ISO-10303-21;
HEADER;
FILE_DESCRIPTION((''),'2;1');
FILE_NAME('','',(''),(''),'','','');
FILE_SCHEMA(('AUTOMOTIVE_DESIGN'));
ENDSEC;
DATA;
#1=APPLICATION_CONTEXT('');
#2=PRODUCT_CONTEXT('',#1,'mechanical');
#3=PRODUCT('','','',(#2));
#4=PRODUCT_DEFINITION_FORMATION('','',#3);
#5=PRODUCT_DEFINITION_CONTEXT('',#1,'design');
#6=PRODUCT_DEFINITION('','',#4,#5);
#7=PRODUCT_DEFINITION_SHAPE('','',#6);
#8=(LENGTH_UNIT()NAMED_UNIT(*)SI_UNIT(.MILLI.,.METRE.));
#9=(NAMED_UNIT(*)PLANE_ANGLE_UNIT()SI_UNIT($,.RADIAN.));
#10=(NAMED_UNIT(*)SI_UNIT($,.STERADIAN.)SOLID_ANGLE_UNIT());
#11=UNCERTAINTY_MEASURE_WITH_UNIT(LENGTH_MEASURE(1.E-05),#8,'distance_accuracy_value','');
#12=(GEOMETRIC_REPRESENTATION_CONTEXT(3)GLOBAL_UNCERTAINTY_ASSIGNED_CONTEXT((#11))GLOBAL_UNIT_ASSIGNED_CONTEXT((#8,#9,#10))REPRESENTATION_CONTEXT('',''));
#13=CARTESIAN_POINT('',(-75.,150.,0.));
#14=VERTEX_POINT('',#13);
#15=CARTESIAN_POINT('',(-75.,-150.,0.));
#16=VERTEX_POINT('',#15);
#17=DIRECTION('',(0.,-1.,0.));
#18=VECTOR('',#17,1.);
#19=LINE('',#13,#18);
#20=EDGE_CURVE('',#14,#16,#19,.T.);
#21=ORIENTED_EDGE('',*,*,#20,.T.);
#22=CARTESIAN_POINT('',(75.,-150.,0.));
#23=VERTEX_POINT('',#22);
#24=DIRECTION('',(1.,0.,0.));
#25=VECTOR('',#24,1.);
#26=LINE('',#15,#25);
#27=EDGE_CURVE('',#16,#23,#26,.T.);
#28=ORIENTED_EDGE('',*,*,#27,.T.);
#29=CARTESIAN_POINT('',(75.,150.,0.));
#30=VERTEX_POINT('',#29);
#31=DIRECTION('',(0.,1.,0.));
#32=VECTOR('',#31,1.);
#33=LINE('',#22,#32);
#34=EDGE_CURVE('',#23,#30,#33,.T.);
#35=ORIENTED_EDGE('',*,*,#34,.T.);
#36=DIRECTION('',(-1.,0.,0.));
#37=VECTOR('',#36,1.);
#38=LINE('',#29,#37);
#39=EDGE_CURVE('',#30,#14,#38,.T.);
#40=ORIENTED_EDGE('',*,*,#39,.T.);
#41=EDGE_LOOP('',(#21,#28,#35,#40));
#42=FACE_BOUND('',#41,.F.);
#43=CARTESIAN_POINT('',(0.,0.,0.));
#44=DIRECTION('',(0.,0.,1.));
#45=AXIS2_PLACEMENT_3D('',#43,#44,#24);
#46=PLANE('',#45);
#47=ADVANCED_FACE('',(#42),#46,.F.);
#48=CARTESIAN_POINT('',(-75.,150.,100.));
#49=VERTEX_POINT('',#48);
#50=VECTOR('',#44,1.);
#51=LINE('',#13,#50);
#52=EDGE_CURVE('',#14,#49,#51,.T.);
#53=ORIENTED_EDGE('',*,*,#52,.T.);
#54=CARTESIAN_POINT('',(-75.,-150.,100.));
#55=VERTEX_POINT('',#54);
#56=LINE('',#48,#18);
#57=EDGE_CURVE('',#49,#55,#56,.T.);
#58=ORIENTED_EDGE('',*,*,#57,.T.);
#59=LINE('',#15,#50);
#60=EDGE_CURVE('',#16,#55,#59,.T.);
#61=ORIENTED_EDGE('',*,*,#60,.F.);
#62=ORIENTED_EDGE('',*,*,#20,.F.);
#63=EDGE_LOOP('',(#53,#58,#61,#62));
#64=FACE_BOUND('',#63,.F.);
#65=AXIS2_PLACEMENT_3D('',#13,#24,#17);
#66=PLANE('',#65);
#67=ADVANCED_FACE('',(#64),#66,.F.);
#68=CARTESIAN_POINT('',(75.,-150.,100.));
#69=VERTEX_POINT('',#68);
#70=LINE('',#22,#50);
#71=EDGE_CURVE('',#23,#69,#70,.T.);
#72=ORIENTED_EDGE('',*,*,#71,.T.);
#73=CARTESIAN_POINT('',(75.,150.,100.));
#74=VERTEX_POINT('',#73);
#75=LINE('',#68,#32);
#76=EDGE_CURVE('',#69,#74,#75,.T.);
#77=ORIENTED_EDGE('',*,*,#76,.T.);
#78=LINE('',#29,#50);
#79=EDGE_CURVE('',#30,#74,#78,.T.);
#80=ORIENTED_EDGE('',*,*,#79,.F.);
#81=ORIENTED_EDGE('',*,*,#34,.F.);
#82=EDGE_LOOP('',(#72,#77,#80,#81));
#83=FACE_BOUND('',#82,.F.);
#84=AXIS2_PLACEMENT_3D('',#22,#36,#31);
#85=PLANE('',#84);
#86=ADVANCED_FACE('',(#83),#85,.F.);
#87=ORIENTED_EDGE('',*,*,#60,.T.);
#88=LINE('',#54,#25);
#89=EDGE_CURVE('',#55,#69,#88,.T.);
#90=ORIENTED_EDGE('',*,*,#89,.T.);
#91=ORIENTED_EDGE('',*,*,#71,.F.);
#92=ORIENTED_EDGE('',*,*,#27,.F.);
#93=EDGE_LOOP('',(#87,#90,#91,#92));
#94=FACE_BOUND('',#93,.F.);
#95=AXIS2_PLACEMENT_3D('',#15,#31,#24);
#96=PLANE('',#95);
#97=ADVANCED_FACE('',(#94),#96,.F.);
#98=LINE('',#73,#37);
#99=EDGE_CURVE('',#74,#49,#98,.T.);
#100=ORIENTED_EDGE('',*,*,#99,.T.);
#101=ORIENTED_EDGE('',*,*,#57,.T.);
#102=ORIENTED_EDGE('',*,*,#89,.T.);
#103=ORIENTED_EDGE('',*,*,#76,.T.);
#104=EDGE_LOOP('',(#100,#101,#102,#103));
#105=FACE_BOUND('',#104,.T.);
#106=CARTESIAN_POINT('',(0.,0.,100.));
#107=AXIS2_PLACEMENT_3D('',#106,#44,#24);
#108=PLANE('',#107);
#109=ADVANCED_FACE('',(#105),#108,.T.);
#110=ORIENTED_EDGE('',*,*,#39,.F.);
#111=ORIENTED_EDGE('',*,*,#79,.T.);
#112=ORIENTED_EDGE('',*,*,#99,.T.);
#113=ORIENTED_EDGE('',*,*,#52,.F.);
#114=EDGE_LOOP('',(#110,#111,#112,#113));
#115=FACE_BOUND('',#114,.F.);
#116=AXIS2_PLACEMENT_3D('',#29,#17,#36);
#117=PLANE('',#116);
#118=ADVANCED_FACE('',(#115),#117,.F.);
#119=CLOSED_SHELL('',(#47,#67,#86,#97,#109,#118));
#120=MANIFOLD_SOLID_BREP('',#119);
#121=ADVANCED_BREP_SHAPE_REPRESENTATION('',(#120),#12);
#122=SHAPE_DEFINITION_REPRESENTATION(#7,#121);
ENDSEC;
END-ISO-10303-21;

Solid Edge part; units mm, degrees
sketch "Sketch1" plane through (0, 0, 0) normal (0, 0, 1) x (1, 0, 0)
  line L0 (-75, 150) -> (-75, -150)
  line L1 (-75, -150) -> (75, -150)
  line L2 (75, -150) -> (75, 150)
  line L3 (75, 150) -> (-75, 150)
extrude "Protrusion1" add sketch "Sketch1" along normal blind 100
